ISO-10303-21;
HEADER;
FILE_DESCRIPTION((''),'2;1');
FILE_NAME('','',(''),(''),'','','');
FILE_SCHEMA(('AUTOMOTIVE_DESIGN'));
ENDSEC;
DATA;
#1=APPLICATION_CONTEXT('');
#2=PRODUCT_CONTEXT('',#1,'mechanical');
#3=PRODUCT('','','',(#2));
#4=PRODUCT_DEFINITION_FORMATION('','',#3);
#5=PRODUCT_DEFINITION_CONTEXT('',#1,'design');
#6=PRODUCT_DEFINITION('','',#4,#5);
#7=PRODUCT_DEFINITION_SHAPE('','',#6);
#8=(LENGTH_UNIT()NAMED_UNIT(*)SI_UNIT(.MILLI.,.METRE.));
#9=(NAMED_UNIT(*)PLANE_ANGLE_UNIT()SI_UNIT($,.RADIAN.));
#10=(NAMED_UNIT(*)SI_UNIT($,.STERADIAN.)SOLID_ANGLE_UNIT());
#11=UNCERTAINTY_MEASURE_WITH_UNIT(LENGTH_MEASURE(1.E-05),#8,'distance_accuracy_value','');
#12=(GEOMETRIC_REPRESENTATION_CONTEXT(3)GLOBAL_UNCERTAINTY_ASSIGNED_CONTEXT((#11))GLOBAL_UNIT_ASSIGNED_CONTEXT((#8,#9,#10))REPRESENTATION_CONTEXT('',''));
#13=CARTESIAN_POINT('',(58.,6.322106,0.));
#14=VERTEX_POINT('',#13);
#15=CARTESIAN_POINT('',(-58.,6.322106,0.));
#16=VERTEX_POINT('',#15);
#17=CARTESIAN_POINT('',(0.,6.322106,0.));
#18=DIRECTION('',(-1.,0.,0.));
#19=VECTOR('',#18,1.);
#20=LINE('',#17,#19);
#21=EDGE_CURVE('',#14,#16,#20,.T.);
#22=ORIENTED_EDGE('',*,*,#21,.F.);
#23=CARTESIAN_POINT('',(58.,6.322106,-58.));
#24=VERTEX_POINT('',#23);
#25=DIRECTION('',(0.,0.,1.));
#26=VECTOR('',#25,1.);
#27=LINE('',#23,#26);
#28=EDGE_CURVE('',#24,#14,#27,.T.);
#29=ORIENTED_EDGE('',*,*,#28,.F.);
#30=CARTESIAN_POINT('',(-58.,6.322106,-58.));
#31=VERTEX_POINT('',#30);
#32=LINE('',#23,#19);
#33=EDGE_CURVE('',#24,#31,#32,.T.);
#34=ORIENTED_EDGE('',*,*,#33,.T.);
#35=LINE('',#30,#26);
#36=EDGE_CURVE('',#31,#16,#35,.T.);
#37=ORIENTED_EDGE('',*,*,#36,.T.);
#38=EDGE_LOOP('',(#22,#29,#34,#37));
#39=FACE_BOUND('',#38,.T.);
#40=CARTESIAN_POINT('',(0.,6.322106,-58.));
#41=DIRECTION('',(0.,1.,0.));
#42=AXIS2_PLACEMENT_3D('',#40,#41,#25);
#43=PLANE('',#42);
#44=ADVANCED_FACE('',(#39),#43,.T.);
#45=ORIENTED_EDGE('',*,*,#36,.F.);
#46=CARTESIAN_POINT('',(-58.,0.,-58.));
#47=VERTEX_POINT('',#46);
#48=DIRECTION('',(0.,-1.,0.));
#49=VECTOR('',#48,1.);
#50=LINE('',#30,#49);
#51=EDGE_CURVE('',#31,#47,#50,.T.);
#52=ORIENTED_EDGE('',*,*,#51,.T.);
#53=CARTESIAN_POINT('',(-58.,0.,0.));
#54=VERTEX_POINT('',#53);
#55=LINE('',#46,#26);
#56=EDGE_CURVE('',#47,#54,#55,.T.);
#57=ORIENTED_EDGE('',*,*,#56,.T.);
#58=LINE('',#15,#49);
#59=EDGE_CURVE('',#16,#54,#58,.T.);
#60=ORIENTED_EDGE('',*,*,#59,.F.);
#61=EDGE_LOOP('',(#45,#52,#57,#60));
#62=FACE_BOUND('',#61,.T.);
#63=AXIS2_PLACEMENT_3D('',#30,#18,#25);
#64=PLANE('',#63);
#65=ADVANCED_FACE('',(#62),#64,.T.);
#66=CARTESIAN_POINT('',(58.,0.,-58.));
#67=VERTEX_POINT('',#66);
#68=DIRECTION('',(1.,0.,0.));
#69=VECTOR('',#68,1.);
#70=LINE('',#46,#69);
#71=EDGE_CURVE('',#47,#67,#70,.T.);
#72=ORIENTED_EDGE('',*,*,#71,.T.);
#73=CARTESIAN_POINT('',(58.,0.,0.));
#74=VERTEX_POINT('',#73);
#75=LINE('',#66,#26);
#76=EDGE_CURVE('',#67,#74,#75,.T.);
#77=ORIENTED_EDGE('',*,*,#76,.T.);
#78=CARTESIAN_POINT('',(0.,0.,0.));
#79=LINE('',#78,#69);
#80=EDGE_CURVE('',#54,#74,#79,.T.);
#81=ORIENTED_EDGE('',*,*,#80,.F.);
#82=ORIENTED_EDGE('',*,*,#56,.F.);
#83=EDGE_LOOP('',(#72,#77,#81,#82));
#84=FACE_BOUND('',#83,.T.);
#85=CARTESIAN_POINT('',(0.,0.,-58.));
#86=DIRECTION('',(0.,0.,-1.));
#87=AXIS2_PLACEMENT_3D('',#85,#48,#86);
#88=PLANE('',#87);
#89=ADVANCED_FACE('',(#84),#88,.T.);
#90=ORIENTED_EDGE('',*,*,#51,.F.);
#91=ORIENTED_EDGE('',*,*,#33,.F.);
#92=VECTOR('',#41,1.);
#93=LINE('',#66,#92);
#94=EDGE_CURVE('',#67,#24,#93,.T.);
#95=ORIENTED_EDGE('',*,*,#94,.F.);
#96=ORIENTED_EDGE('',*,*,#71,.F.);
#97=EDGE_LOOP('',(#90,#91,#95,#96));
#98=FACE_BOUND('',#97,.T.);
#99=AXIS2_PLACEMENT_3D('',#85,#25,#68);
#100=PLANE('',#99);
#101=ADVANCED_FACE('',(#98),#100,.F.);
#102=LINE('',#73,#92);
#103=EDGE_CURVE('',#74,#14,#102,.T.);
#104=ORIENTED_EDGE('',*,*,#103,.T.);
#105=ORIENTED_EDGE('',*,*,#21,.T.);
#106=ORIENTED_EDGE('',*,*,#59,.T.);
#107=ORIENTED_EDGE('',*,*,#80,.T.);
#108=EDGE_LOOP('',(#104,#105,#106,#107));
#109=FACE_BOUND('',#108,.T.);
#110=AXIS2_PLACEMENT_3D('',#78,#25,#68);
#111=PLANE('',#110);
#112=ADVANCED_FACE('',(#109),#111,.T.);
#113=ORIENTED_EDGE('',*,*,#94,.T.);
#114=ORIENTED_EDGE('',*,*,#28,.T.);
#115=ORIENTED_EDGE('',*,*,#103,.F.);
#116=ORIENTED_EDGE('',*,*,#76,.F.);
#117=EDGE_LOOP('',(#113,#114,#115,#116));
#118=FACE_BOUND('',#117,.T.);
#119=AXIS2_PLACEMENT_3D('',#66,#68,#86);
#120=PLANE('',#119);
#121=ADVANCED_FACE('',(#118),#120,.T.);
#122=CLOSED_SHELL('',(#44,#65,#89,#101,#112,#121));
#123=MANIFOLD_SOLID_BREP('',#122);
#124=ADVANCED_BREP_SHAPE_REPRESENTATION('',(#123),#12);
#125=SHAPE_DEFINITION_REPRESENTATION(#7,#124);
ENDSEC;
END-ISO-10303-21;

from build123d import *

# Parameters (mm, degrees)
RESSALTO_EXTRUS_O1_DEPTH = 58


with BuildPart() as part:
    # Esboço2 → Ressalto-extrusão1 (new body)
    with BuildSketch(Plane.XY):
        Polygon((-58, 0), (0, 0), (58, 0), (58, 6.32210553), (0, 6.32210553), (-58, 6.32210553), align=None)
    extrude(amount=-RESSALTO_EXTRUS_O1_DEPTH)


solid = part.part
